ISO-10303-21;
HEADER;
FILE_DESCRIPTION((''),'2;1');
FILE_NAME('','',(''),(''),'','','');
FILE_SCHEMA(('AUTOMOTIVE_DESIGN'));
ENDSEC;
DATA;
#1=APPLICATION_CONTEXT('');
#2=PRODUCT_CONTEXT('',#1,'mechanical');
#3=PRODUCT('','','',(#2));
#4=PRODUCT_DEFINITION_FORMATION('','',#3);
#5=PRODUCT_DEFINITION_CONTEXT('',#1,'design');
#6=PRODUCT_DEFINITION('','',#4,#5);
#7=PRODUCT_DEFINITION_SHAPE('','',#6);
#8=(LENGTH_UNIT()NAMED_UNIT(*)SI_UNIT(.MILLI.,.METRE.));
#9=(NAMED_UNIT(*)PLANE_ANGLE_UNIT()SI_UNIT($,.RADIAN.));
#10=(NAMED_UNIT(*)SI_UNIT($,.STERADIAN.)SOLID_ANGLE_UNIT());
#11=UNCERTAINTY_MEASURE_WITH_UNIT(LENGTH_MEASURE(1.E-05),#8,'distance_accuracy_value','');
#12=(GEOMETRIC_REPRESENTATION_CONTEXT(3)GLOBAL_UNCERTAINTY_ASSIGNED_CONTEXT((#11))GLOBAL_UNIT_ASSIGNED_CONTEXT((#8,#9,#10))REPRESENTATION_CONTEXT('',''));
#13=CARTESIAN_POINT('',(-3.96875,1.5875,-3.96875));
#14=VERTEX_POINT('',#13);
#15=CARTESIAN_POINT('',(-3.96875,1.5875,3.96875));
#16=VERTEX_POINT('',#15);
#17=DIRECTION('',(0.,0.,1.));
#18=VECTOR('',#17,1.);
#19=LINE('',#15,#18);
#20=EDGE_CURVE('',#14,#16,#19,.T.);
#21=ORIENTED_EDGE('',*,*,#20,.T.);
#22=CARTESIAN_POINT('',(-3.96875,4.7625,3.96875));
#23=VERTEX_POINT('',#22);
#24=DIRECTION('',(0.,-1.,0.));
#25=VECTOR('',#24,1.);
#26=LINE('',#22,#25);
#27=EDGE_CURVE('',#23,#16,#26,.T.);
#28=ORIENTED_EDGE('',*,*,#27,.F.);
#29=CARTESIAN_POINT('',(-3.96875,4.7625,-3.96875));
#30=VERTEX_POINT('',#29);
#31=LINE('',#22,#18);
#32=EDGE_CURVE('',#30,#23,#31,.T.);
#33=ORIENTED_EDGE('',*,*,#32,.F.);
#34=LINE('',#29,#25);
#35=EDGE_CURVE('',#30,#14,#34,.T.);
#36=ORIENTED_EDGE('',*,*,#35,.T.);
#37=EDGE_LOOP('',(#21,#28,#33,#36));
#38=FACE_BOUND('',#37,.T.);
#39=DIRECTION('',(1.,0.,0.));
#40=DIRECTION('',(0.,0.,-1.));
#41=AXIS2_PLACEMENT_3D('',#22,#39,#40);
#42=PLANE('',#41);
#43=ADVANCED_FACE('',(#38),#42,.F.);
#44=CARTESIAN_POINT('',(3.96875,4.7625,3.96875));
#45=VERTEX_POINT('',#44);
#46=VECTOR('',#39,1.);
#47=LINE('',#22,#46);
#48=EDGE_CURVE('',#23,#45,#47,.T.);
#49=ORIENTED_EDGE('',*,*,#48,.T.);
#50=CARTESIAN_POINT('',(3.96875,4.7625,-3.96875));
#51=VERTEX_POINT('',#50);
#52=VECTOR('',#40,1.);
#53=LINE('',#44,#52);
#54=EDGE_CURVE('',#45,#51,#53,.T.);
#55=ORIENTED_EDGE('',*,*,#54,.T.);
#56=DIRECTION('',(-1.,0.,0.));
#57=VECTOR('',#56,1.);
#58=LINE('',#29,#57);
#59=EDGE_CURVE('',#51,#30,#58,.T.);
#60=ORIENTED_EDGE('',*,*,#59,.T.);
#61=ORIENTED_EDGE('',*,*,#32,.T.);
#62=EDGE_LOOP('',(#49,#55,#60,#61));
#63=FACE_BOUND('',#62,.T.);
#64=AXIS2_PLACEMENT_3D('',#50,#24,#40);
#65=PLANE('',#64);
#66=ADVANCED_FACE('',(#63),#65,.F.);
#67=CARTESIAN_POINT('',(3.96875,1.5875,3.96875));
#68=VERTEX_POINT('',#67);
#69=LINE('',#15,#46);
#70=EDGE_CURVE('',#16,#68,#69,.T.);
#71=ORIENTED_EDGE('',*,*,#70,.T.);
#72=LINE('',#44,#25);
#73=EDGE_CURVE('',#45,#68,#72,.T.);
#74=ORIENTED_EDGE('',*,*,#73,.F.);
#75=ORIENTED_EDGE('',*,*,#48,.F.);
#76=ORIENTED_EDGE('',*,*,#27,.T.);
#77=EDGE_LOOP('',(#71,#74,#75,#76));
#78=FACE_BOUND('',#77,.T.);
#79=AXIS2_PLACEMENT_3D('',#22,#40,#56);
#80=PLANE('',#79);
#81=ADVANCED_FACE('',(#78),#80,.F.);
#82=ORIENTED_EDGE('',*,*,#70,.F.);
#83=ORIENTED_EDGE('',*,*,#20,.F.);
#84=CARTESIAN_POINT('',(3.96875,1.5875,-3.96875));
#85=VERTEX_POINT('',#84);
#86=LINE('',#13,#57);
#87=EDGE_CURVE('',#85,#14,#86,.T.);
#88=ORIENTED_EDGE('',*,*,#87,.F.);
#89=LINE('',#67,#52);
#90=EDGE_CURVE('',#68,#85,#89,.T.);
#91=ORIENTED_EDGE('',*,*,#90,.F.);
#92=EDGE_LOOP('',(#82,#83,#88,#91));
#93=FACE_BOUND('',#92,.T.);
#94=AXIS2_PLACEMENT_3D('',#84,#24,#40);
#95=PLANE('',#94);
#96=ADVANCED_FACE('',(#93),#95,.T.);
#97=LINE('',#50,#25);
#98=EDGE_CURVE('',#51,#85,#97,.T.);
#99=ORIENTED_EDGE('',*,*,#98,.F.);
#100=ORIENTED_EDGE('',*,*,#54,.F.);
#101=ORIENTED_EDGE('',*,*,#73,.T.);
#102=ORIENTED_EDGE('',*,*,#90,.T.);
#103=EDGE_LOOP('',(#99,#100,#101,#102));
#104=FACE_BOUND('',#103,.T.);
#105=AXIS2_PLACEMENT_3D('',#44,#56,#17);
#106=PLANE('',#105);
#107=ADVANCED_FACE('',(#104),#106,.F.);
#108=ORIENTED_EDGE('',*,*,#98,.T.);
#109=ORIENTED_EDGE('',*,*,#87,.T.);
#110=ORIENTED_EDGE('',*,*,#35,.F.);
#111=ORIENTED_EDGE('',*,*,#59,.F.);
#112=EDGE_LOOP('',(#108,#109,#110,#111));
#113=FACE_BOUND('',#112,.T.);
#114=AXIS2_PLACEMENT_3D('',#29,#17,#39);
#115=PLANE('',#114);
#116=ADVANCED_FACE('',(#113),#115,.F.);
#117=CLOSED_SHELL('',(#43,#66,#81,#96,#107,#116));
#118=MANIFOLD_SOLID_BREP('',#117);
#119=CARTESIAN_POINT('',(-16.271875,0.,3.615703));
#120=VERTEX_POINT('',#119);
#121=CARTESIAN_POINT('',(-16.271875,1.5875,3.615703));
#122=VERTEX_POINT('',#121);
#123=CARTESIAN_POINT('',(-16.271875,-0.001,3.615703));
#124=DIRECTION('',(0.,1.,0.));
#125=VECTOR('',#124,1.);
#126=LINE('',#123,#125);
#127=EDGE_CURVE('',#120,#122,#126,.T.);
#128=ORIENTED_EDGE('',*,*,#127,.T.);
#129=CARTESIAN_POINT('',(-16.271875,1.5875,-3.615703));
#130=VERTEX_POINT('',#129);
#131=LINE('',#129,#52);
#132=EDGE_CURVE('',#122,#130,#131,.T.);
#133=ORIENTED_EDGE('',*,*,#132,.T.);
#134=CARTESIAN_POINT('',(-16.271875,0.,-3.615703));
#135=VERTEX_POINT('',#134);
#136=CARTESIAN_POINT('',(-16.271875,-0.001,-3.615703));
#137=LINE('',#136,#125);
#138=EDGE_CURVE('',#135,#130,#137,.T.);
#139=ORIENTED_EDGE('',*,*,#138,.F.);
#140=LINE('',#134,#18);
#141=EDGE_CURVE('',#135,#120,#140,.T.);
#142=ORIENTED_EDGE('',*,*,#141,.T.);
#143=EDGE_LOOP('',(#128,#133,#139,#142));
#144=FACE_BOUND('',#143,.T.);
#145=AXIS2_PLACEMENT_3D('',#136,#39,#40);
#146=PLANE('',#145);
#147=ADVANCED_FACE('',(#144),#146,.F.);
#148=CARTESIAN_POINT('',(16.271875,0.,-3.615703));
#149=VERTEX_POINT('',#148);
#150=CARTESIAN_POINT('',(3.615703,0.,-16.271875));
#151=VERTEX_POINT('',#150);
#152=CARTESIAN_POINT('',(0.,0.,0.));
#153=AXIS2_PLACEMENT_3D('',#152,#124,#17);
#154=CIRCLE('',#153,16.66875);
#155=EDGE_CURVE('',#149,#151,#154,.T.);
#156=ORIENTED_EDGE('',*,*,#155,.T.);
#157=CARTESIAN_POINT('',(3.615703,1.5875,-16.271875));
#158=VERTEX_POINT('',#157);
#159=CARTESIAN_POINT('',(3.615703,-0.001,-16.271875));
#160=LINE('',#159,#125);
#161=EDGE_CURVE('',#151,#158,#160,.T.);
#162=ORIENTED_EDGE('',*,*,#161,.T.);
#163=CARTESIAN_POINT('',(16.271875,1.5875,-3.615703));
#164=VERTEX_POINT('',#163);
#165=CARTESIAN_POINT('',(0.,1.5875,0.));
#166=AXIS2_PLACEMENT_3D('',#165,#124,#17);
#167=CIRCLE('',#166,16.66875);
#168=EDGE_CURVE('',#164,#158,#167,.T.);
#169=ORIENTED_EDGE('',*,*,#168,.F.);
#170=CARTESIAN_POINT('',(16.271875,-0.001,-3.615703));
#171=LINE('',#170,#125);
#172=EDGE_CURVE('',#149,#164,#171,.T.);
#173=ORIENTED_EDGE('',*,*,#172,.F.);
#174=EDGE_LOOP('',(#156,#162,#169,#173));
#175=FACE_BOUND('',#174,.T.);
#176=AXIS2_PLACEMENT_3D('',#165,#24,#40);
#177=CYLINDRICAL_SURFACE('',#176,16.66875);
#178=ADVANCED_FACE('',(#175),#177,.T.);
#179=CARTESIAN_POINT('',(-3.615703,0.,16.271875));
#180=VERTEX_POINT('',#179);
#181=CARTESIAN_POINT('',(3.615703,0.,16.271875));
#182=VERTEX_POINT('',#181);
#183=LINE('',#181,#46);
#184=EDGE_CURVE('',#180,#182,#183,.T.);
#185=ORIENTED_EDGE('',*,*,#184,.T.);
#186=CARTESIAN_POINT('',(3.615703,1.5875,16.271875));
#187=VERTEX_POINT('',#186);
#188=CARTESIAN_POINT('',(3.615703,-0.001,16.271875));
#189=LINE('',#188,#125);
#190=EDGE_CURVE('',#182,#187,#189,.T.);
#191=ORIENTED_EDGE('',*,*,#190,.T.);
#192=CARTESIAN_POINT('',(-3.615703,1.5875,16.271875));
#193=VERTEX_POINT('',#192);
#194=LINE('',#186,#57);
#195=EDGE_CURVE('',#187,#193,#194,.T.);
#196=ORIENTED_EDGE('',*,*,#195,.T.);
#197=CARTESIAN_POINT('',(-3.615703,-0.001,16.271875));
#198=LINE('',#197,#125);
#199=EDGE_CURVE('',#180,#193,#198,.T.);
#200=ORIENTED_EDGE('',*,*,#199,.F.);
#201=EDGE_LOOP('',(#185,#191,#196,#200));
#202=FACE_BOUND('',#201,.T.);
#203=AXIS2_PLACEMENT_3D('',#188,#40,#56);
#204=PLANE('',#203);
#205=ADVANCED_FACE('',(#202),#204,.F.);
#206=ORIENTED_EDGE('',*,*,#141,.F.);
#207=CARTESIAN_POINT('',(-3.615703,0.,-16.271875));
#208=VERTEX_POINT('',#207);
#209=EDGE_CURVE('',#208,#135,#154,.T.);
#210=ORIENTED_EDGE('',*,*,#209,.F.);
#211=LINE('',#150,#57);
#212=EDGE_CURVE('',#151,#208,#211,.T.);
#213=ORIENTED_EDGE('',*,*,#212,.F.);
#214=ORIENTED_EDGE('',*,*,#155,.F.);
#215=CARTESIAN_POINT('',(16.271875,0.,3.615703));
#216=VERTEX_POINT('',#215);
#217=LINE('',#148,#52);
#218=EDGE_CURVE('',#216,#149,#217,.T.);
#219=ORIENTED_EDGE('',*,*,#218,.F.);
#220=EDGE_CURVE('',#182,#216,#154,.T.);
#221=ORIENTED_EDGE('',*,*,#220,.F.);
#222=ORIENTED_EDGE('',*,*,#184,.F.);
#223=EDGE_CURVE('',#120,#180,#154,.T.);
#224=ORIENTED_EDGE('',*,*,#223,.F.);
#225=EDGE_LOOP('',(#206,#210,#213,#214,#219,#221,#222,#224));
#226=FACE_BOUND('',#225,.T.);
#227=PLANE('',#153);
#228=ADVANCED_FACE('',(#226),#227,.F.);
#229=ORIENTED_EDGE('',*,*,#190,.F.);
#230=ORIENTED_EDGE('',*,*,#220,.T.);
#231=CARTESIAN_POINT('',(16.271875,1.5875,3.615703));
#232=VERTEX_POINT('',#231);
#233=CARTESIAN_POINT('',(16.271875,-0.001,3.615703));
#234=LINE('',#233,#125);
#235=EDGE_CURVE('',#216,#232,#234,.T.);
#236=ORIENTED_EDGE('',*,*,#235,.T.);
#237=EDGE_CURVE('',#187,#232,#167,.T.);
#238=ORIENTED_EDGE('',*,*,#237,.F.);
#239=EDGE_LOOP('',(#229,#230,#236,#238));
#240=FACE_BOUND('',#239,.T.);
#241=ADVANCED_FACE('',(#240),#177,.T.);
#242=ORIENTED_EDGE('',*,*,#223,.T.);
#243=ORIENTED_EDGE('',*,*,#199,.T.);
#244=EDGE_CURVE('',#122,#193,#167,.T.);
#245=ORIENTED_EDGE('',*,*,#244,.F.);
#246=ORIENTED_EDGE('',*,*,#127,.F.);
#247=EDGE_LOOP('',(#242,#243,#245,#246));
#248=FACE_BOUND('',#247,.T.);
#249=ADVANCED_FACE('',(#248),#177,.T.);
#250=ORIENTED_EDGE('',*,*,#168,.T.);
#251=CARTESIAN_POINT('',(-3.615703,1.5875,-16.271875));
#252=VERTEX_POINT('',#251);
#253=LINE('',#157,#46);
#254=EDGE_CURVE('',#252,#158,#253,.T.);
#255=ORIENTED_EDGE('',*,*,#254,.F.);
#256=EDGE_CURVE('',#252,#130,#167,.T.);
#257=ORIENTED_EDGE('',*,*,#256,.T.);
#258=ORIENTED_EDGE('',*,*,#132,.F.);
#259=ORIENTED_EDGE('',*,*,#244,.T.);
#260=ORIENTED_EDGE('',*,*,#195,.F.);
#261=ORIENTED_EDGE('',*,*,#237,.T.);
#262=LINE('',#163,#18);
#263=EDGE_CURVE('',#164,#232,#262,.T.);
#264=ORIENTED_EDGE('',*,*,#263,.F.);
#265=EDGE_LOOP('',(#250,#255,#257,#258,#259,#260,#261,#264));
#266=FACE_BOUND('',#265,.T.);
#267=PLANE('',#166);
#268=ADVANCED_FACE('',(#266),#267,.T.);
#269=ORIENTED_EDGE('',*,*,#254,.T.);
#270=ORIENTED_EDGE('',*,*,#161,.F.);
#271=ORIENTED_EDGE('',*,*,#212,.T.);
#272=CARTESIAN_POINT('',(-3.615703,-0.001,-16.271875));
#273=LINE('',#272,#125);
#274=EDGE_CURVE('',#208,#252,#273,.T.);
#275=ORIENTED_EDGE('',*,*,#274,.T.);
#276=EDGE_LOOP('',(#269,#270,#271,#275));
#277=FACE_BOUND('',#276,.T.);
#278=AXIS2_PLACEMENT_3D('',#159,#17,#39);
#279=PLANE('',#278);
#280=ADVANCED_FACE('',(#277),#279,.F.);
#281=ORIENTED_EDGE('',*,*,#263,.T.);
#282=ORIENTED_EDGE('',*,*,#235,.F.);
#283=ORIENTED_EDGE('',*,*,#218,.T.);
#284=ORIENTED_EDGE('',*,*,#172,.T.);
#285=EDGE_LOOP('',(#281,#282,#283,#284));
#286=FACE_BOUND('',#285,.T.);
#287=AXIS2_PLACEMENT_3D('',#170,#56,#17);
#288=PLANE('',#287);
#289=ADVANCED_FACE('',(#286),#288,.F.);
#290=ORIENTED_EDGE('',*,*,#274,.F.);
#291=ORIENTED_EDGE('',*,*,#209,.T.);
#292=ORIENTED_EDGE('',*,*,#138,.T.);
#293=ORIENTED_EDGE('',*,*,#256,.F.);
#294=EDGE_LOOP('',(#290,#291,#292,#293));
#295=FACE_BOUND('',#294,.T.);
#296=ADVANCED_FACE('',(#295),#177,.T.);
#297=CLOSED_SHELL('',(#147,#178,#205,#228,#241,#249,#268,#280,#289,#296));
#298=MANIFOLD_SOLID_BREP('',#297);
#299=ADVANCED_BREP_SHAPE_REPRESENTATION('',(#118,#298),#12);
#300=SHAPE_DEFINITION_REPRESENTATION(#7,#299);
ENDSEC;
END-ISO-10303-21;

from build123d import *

# Parameters (mm, degrees)
SKETCH1_R           = 16.66875
BOSS_EXTRUDE1_DEPTH = 1.5875
CUT_EXTRUDE1_REACH  = 25.627
SKETCH3_W           = 7.9375
SKETCH3_H           = 7.9375
BOSS_EXTRUDE2_DEPTH = 3.175


with BuildPart() as part:
    # Sketch1 → Boss-Extrude1 (new body)
    with BuildSketch(Plane(origin=(0, 0, 0), x_dir=(1, 0, 0), z_dir=(0, 1, 0))):
        with Locations(Location((0, 0, 0), (0, 0, 270))):
            Circle(SKETCH1_R)
    extrude(amount=BOSS_EXTRUDE1_DEPTH)

    # Sketch2 → Cut-Extrude1 (cut, up to next)
    with BuildSketch(Plane(origin=(0, 1.5875, 0), x_dir=(1, 0, 0), z_dir=(0, 1, 0)), mode=Mode.PRIVATE) as cut_extrude1_sk1:
        with BuildLine():
            Line((-16.271875, 3.615703327), (-16.271875, -3.615703327))
            ThreePointArc((-16.271875, -3.615703327), (-16.66875, 0), (-16.271875, 3.615703327))
        make_face()
    cut_extrude1_tool1 = extrude(cut_extrude1_sk1.sketch, amount=-CUT_EXTRUDE1_REACH, mode=Mode.PRIVATE) & part.part
    # Sketch2 → Cut-Extrude1 (cut, up to next)
    with BuildSketch(Plane(origin=(0, 1.5875, 0), x_dir=(1, 0, 0), z_dir=(0, 1, 0)), mode=Mode.PRIVATE) as cut_extrude1_sk2:
        with BuildLine():
            Line((16.271875, 3.615703327), (16.271875, -3.615703327))
            ThreePointArc((16.271875, -3.615703327), (16.66875, 0), (16.271875, 3.615703327))
        make_face()
    cut_extrude1_tool2 = extrude(cut_extrude1_sk2.sketch, amount=-CUT_EXTRUDE1_REACH, mode=Mode.PRIVATE) & part.part
    # Sketch2 → Cut-Extrude1 (cut, up to next)
    with BuildSketch(Plane(origin=(0, 1.5875, 0), x_dir=(1, 0, 0), z_dir=(0, 1, 0)), mode=Mode.PRIVATE) as cut_extrude1_sk3:
        with BuildLine():
            Line((3.615703327, 16.271875), (-3.615703327, 16.271875))
            ThreePointArc((-3.615703327, 16.271875), (0, 16.66875), (3.615703327, 16.271875))
        make_face()
    cut_extrude1_tool3 = extrude(cut_extrude1_sk3.sketch, amount=-CUT_EXTRUDE1_REACH, mode=Mode.PRIVATE) & part.part
    # Sketch2 → Cut-Extrude1 (cut, up to next)
    with BuildSketch(Plane(origin=(0, 1.5875, 0), x_dir=(1, 0, 0), z_dir=(0, 1, 0)), mode=Mode.PRIVATE) as cut_extrude1_sk4:
        with BuildLine():
            Line((3.615703327, -16.271875), (-3.615703327, -16.271875))
            ThreePointArc((-3.615703327, -16.271875), (0, -16.66875), (3.615703327, -16.271875))
        make_face()
    cut_extrude1_tool4 = extrude(cut_extrude1_sk4.sketch, amount=-CUT_EXTRUDE1_REACH, mode=Mode.PRIVATE) & part.part
    add(cut_extrude1_tool1.solids().sort_by_distance((-16.430788, 1.5875, 0))[0], mode=Mode.SUBTRACT)
    add(cut_extrude1_tool2.solids().sort_by_distance((16.430788, 1.5875, 0))[0], mode=Mode.SUBTRACT)
    add(cut_extrude1_tool3.solids().sort_by_distance((0, 1.5875, -16.430788))[0], mode=Mode.SUBTRACT)
    add(cut_extrude1_tool4.solids().sort_by_distance((0, 1.5875, 16.430788))[0], mode=Mode.SUBTRACT)


with BuildPart() as body_2:
    # Sketch3 → Boss-Extrude2 (new body)
    with BuildSketch(Plane(origin=(0, 1.5875, 0), x_dir=(1, 0, 0), z_dir=(0, 1, 0))):
        Rectangle(SKETCH3_W, SKETCH3_H)
    extrude(amount=BOSS_EXTRUDE2_DEPTH)


solid = Compound([part.part, body_2.part])
